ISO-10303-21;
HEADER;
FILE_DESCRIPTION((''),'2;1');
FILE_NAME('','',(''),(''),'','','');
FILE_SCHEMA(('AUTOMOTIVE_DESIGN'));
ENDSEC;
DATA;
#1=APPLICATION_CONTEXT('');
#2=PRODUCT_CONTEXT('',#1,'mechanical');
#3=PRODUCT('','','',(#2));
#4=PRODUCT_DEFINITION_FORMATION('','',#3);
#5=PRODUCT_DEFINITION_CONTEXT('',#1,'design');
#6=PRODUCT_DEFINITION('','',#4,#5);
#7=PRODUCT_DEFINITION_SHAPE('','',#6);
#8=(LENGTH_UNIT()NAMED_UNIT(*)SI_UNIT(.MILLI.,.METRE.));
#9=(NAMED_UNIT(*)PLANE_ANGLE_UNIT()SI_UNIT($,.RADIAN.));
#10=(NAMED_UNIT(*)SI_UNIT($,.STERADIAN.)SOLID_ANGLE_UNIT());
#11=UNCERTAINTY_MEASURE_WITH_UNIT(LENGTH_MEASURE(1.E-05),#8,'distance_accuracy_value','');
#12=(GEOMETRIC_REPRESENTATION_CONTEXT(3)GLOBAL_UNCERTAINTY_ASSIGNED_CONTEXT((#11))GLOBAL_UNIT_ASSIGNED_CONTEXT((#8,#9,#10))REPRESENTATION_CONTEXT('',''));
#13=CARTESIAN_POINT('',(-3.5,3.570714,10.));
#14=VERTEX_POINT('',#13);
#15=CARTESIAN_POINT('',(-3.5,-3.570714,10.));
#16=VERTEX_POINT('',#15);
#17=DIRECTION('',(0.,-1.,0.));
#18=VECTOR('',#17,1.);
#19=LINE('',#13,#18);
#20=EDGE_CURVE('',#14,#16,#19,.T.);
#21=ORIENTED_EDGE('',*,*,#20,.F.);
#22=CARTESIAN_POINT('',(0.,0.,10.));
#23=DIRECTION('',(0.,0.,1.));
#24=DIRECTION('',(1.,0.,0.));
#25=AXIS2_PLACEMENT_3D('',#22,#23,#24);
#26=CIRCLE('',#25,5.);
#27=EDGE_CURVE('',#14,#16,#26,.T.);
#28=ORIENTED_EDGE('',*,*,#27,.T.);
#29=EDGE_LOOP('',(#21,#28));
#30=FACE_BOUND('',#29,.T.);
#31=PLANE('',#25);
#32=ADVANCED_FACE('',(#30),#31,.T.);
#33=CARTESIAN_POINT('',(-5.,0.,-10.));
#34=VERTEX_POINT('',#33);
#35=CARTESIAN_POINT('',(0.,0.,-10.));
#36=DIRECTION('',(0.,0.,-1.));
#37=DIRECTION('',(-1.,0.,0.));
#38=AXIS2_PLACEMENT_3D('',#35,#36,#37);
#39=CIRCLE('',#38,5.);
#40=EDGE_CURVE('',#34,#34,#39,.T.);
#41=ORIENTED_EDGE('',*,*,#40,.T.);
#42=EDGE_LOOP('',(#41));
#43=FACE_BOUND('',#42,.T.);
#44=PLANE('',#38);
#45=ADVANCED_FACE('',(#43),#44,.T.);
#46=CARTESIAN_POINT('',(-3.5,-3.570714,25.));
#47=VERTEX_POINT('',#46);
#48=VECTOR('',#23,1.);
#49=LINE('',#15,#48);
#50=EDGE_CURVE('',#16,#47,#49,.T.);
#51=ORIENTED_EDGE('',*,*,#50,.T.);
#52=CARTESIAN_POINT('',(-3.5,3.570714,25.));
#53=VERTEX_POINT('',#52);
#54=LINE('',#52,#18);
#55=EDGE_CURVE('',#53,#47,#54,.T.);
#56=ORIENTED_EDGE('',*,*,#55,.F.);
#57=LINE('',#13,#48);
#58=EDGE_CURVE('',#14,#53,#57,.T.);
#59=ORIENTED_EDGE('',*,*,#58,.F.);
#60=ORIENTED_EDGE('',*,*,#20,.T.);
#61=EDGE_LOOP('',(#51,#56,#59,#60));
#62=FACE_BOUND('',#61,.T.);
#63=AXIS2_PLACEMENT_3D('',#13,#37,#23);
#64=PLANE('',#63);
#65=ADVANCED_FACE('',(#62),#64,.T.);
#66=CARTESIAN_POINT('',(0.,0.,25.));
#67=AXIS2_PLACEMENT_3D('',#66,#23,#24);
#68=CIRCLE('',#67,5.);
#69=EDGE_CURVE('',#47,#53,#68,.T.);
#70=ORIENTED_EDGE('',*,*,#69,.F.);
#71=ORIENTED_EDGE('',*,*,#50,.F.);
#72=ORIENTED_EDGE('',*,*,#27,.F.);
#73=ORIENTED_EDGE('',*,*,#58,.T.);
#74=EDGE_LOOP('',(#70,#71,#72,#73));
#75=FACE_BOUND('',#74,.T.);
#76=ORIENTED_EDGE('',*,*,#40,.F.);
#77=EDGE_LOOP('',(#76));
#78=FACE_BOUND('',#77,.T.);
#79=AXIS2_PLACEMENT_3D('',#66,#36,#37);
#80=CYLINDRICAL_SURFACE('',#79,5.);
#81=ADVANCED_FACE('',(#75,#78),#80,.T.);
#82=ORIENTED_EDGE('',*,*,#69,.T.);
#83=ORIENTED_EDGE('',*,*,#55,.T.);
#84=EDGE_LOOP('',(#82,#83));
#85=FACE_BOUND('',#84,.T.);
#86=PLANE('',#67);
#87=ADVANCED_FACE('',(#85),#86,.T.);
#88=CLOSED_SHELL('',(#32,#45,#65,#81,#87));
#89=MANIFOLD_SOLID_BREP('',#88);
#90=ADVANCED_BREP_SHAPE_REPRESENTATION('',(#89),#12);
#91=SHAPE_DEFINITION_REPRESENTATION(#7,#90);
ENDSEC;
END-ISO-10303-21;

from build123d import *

# Parameters (mm, degrees)
SKETCH_1_R          = 5
EXTRUDE_1_DEPTH     = 25
SKETCH_2_OUTSIDE_W  = 17.744
SKETCH_2_OUTSIDE_H  = 17.744
CUT_EXTRUDE_1_DEPTH = 15
EXTRUDE_START       = 10
SKETCH_3_R          = 5
EXTRUDE_2_DEPTH     = 10


with BuildPart() as part:
    # 스케치1 → 보스-돌출1 (new body)
    with BuildSketch(Plane.XY):
        Circle(SKETCH_1_R)
    extrude(amount=EXTRUDE_1_DEPTH)

    # 스케치2 outside → 컷-돌출1 (cut)
    with BuildSketch(Plane.XY.offset(25)):
        Rectangle(SKETCH_2_OUTSIDE_W, SKETCH_2_OUTSIDE_H)
        with BuildLine():
            Line((-3.5, 3.570714214), (-3.5, -3.570714214))
            ThreePointArc((-3.5, -3.570714214), (5, 0), (-3.5, 3.570714214))
        make_face(mode=Mode.SUBTRACT)
    extrude(amount=-CUT_EXTRUDE_1_DEPTH, mode=Mode.SUBTRACT)

    # 스케치3 → 보스-돌출2 (add)
    with BuildSketch(Plane(origin=(0, 0, 0), x_dir=(-1, 0, 0), z_dir=(0, 0, -1)).offset(EXTRUDE_START)):
        Circle(SKETCH_3_R)
    extrude(amount=-EXTRUDE_2_DEPTH)


solid = part.part
